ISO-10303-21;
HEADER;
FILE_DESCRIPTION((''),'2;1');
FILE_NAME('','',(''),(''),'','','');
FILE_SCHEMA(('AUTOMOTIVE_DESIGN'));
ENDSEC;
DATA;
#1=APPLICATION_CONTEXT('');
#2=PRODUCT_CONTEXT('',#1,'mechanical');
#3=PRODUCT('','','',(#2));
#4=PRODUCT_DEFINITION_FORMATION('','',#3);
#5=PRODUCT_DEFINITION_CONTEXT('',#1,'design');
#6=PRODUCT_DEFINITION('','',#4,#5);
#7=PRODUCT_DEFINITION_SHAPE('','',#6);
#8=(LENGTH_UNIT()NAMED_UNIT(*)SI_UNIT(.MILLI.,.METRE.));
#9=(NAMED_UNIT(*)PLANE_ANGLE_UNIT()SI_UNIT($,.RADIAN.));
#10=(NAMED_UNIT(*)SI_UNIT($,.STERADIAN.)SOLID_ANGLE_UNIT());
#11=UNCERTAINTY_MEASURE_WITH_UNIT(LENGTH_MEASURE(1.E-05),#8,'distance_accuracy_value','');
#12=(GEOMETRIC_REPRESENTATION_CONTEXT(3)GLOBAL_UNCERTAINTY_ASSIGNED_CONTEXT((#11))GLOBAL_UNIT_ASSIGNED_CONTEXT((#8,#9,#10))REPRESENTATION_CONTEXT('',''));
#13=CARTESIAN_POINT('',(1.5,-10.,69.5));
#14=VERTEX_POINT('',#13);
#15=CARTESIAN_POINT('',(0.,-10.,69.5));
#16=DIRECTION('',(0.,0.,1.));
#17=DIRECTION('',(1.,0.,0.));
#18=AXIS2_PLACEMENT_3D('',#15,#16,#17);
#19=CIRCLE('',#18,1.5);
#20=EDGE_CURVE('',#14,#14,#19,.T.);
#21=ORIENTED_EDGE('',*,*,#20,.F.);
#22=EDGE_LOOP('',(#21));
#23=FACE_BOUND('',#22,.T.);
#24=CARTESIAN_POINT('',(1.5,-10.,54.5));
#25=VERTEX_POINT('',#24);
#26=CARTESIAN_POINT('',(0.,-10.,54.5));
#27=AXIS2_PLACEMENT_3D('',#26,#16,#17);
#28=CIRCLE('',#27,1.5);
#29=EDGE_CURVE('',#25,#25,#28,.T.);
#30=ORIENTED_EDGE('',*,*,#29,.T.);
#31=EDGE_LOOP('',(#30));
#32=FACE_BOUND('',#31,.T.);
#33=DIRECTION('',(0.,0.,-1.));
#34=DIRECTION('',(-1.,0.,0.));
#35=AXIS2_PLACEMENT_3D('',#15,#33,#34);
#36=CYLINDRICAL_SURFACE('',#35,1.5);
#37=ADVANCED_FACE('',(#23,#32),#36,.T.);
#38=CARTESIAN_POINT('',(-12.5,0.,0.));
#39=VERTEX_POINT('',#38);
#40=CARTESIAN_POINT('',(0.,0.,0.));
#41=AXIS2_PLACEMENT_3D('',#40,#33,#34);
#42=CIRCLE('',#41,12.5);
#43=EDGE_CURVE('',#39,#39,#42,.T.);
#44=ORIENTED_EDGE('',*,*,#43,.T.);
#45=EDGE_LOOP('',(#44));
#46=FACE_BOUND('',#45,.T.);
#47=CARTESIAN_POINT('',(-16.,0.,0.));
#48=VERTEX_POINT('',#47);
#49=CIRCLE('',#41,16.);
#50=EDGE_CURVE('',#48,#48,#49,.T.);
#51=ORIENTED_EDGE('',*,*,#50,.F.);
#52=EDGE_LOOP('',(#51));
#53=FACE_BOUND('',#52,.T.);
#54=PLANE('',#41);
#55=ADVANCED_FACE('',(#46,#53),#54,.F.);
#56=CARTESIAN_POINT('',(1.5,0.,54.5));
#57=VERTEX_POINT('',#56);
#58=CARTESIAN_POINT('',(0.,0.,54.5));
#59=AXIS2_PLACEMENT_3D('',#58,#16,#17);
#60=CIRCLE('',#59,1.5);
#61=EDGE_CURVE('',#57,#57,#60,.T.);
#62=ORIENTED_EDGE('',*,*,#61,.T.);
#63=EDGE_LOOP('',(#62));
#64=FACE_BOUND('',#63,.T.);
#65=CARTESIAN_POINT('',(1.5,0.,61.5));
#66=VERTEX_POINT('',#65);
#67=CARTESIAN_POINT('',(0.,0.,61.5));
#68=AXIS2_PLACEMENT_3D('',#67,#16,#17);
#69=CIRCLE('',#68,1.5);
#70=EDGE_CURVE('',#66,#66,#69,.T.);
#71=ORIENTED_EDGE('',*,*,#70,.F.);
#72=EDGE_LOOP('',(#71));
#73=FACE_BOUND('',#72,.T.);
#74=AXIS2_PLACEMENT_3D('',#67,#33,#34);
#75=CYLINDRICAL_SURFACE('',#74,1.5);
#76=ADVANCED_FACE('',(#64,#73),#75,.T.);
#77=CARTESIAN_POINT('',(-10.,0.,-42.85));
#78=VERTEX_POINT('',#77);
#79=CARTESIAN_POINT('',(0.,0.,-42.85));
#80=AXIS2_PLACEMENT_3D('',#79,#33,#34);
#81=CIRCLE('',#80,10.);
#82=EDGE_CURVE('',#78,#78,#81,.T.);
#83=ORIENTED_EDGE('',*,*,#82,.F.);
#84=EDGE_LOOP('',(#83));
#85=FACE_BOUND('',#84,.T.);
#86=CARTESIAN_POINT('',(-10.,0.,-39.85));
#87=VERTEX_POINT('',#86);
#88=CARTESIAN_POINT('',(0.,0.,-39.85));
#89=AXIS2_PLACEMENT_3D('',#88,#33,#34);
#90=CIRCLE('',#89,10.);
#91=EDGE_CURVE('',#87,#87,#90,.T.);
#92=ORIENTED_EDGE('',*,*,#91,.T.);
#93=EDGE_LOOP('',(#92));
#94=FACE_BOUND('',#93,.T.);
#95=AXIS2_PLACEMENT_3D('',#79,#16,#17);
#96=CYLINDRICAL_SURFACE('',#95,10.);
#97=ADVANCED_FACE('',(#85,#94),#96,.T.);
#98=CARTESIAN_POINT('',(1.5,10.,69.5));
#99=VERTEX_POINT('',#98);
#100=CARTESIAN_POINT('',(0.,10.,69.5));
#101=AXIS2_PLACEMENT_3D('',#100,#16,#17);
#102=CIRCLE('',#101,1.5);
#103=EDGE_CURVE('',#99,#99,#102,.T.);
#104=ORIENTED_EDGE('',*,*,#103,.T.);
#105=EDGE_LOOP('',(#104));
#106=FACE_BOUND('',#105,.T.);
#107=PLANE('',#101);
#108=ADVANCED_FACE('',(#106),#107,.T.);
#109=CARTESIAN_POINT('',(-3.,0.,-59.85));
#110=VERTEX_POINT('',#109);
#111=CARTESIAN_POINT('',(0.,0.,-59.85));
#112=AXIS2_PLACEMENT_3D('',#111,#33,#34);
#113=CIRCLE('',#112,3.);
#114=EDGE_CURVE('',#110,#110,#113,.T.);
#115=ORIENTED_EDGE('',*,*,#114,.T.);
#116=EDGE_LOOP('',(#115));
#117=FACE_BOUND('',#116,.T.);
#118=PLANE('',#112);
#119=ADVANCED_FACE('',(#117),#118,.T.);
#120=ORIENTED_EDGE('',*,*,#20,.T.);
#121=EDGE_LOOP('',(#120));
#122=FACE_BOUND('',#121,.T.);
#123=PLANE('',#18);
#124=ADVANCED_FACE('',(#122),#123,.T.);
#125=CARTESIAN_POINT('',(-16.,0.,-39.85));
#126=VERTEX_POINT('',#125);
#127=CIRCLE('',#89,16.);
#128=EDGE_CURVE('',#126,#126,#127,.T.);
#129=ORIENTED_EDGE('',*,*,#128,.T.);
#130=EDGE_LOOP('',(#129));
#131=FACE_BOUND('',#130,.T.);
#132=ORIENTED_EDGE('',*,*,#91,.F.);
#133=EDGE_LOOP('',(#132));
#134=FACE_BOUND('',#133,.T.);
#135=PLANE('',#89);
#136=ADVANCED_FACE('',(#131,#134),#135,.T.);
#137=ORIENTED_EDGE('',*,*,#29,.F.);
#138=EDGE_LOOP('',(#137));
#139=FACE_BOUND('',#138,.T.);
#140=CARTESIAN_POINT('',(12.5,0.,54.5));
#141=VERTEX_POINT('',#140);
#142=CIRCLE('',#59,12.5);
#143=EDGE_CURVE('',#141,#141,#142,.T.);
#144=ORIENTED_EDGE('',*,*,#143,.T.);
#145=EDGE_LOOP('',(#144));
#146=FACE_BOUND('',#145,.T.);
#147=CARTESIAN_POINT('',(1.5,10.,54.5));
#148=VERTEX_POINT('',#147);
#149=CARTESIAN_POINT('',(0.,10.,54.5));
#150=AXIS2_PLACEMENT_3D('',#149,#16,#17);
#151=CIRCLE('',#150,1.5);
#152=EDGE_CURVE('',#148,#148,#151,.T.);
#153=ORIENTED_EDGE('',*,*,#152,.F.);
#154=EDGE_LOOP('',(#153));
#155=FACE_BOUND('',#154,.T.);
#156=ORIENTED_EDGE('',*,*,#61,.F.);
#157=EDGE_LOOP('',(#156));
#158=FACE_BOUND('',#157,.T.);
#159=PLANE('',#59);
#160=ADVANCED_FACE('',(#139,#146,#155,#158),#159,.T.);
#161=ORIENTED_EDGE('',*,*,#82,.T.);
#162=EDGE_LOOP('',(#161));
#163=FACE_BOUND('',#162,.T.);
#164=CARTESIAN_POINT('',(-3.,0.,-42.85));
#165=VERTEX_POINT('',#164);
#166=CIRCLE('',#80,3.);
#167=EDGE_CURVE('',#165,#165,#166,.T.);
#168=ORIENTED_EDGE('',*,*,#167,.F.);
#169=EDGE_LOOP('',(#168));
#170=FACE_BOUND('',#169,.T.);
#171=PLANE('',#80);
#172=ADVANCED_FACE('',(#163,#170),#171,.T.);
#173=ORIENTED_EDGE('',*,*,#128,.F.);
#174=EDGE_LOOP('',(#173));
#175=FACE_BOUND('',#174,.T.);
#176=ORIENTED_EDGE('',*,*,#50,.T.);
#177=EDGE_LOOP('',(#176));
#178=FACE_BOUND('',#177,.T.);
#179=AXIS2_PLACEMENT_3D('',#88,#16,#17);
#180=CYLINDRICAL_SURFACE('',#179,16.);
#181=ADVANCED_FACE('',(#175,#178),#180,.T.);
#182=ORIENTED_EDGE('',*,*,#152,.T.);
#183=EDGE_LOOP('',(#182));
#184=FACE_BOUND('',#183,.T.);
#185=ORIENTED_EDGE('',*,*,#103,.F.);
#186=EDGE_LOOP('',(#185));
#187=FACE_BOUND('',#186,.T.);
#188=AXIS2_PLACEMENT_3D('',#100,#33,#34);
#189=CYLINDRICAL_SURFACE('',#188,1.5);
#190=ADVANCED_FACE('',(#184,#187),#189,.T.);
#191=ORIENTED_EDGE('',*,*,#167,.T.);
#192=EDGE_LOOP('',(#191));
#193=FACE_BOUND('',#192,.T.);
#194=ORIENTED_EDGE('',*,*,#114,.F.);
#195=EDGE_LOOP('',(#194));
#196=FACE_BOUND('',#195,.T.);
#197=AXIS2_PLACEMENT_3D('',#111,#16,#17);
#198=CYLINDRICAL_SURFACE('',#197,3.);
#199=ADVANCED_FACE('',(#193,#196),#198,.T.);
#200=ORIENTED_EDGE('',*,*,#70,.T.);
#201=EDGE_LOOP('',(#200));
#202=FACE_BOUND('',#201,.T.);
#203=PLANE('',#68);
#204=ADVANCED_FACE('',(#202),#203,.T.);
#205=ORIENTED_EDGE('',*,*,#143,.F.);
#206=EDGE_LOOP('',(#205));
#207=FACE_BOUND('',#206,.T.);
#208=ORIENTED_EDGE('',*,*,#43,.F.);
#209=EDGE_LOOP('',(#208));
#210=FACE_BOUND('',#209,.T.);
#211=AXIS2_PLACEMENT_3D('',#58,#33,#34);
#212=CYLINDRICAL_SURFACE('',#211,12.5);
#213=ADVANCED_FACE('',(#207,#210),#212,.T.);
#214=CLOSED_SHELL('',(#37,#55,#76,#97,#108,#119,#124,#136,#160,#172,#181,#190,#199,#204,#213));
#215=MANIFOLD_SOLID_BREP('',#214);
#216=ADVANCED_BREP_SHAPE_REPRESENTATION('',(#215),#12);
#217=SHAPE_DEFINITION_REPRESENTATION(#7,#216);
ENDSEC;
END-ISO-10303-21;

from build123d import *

# Parameters (mm, degrees)
ESQUISSE1_R        = 12.5
BOSS_EXTRU_1_DEPTH = 54.5
ESQUISSE2_R        = 1.5
BOSS_EXTRU_2_DEPTH = 7
ESQUISSE3_R        = 16
BOSS_EXTRU_3_DEPTH = 39.85
ESQUISSE4_R        = 10
BOSS_EXTRU_4_DEPTH = 3
ESQUISSE5_R        = 3
BOSS_EXTRU_5_DEPTH = 17
ESQUISSE6_R        = 1.5
BOSS_EXTRU_6_DEPTH = 15


with BuildPart() as part:
    # Esquisse1 → Boss.-Extru.1 (new body)
    with BuildSketch(Plane.XY):
        Circle(ESQUISSE1_R)
    extrude(amount=BOSS_EXTRU_1_DEPTH)

    # Esquisse2 → Boss.-Extru.2 (add)
    with BuildSketch(Plane.XY.offset(54.5)):
        Circle(ESQUISSE2_R)
    extrude(amount=BOSS_EXTRU_2_DEPTH)

    # Esquisse3 → Boss.-Extru.3 (add)
    with BuildSketch(Plane(origin=(0, 0, 0), x_dir=(-1, 0, 0), z_dir=(0, 0, -1))):
        Circle(ESQUISSE3_R)
    extrude(amount=BOSS_EXTRU_3_DEPTH)

    # Esquisse4 → Boss.-Extru.4 (add)
    with BuildSketch(Plane(origin=(0, 0, -39.85), x_dir=(-1, 0, 0), z_dir=(0, 0, -1))):
        Circle(ESQUISSE4_R)
    extrude(amount=BOSS_EXTRU_4_DEPTH)

    # Esquisse5 → Boss.-Extru.5 (add)
    with BuildSketch(Plane(origin=(0, 0, -42.85), x_dir=(-1, 0, 0), z_dir=(0, 0, -1))):
        Circle(ESQUISSE5_R)
    extrude(amount=BOSS_EXTRU_5_DEPTH)

    # Esquisse6 → Boss.-Extru.6 (add)
    with BuildSketch(Plane.XY.offset(54.5)):
        with Locations((0, 10)):
            Circle(ESQUISSE6_R)
        with Locations((0, -10)):
            Circle(ESQUISSE6_R)
    extrude(amount=BOSS_EXTRU_6_DEPTH)


solid = part.part
